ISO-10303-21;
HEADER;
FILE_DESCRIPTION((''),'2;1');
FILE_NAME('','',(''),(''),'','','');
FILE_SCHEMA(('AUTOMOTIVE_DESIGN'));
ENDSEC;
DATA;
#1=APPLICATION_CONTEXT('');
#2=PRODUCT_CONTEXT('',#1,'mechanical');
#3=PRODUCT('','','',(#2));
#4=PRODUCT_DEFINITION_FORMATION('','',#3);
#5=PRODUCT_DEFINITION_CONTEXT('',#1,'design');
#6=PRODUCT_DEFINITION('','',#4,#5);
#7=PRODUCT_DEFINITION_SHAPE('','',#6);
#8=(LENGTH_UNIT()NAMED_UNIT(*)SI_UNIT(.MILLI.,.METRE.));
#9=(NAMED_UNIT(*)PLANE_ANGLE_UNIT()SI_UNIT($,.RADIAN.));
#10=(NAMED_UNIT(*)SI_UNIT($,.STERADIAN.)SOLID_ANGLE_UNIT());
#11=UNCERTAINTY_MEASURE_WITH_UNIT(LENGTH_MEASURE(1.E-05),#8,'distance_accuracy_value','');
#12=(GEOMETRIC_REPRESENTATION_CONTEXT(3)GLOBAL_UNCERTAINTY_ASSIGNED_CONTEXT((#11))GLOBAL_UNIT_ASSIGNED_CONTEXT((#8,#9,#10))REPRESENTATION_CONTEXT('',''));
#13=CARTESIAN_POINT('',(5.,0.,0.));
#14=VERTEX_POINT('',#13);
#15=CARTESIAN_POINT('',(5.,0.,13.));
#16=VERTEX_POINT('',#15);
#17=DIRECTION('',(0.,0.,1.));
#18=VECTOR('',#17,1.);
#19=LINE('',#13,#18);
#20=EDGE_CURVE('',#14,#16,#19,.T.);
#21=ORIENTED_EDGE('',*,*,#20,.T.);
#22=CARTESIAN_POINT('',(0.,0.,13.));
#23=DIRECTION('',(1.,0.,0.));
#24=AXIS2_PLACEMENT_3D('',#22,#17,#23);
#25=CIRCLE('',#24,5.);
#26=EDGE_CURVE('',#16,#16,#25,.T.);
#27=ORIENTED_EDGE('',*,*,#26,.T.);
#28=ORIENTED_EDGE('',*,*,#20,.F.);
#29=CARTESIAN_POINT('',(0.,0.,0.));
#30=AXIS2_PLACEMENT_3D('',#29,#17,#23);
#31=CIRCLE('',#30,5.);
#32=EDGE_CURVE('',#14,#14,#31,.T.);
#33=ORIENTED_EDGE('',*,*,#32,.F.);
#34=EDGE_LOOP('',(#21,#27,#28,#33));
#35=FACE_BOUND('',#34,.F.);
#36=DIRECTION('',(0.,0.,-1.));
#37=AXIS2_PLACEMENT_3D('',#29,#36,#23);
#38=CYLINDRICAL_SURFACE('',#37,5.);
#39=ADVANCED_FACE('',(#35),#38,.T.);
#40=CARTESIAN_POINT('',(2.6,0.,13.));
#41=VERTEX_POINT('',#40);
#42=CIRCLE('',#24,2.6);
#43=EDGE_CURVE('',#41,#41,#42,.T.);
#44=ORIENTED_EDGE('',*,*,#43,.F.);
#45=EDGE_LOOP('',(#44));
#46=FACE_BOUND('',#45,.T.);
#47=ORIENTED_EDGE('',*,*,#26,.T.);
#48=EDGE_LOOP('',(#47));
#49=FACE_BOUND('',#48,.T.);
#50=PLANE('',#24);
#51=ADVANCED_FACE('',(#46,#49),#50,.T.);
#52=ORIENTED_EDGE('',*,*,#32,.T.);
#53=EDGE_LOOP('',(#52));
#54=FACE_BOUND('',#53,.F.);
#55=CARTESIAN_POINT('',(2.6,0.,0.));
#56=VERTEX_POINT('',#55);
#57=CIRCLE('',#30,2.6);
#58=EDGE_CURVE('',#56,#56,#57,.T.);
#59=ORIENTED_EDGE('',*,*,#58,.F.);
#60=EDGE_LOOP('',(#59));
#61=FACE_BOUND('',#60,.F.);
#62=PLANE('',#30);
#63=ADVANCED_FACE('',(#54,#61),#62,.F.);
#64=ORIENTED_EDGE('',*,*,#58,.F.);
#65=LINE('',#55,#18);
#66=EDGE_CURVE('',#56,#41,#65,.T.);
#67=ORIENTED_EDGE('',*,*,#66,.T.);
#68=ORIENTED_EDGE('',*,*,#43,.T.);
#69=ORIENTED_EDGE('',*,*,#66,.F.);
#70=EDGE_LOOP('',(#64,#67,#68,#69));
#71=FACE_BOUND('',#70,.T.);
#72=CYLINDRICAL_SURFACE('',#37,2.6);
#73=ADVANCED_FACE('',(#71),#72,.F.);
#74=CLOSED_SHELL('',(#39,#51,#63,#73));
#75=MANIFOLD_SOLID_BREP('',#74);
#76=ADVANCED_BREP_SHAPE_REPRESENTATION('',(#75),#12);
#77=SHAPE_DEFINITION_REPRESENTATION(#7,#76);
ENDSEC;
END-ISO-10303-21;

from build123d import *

# Parameters (mm, degrees)
SKETCH_R   = 5
SKETCH_R_2 = 2.6
PAD_DEPTH  = 13


with BuildPart() as part:
    # Sketch → Pad (new body)
    with BuildSketch(Plane.XY):
        Circle(SKETCH_R)
        Circle(SKETCH_R_2, mode=Mode.SUBTRACT)
    extrude(amount=PAD_DEPTH)


solid = part.part
